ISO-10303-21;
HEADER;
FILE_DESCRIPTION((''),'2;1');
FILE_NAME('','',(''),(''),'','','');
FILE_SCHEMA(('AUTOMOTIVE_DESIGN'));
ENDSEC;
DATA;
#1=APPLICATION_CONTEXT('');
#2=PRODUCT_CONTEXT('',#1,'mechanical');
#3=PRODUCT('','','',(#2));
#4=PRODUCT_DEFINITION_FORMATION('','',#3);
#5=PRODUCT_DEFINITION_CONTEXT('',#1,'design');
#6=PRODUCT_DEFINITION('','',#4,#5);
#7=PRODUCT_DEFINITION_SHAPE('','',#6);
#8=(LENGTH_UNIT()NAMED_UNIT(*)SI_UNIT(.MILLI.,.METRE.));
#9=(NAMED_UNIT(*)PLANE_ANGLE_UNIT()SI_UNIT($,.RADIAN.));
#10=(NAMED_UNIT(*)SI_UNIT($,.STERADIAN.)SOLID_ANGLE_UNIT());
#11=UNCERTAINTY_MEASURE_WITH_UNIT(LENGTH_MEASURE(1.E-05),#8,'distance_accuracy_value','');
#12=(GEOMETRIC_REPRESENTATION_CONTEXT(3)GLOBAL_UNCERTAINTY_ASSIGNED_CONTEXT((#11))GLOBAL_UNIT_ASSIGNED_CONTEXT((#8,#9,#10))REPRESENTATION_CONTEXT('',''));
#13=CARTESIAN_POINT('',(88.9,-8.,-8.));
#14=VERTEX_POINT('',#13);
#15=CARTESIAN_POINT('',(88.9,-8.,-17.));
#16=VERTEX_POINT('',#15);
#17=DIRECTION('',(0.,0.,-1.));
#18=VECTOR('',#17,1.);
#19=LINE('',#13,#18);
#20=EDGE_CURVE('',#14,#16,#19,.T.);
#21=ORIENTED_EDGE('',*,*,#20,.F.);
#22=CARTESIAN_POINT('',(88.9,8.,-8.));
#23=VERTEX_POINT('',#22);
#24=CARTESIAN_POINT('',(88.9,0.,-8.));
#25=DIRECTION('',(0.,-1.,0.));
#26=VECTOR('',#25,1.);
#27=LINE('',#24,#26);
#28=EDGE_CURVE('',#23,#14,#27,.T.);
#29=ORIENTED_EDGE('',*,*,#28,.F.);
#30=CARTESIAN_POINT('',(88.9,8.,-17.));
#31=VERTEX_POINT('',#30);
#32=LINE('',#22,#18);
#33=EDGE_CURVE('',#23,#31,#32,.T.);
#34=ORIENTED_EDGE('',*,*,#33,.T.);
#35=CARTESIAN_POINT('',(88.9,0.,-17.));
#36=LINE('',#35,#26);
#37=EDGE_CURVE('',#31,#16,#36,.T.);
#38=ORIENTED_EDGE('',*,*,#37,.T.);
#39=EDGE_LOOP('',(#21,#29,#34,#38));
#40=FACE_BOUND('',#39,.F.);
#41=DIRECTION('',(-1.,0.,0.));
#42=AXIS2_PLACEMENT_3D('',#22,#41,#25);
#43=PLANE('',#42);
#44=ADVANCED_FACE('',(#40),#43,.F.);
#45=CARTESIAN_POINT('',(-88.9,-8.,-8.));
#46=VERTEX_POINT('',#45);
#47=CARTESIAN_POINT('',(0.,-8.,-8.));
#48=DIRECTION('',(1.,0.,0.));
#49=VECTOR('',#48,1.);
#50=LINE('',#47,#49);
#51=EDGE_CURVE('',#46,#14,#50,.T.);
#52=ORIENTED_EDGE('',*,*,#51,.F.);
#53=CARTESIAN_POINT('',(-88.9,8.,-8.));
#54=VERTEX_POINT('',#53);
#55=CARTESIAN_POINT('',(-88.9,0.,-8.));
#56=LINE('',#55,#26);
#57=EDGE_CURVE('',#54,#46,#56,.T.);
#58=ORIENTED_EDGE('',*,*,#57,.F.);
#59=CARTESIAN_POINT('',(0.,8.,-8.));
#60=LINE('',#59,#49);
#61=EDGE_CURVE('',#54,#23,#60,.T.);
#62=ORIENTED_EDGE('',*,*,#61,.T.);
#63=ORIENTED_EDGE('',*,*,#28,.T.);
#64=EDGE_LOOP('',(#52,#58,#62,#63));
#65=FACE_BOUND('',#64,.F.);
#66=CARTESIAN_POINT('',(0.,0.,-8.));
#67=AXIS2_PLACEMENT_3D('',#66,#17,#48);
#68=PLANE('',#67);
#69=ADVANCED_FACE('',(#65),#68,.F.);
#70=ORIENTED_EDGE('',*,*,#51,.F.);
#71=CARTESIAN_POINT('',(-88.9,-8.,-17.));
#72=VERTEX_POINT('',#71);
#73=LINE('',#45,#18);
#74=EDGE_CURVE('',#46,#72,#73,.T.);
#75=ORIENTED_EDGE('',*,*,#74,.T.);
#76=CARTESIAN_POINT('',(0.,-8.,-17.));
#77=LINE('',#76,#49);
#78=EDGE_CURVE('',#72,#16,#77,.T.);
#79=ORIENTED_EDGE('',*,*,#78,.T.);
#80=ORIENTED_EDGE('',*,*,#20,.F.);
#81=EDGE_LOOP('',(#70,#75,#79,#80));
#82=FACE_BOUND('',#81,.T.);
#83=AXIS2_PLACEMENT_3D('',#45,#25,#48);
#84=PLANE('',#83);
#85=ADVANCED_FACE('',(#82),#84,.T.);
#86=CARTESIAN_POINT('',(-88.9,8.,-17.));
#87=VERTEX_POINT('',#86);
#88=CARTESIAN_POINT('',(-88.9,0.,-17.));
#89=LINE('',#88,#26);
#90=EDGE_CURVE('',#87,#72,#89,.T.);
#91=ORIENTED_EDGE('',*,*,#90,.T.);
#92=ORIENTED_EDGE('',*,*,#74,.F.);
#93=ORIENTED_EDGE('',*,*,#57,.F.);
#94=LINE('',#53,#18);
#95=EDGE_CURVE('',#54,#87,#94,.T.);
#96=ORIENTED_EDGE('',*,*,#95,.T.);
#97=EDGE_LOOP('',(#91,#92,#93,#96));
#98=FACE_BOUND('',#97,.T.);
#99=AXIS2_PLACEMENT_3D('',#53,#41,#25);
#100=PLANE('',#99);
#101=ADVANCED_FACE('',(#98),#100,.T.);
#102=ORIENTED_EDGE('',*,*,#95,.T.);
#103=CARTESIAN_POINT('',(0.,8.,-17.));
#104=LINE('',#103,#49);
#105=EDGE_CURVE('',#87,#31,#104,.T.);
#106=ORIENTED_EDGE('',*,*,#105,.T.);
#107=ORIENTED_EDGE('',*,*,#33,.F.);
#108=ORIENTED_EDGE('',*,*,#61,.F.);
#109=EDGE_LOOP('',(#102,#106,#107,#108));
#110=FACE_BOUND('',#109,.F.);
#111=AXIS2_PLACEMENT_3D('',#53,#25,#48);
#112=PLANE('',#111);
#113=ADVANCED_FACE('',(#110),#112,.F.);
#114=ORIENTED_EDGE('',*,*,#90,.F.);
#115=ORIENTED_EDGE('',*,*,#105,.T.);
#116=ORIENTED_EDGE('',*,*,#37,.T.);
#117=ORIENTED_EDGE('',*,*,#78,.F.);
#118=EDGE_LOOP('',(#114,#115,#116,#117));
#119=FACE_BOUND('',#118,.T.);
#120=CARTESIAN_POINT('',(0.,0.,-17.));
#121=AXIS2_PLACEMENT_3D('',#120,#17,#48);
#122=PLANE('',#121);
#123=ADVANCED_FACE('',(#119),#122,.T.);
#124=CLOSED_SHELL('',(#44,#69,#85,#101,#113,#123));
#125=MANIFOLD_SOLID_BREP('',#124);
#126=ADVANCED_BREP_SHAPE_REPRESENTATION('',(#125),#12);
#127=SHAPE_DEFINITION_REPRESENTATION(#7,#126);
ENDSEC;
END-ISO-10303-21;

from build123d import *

# Parameters (mm, degrees)
SKETCH_W        = 177.8
SKETCH_H        = 16
PAD_DEPTH       = 9
BODY_ROLL_ANGLE = 90


with BuildPart() as part:
    # Sketch → Pad (new body)
    with BuildSketch(Plane.XZ):
        Rectangle(SKETCH_W, SKETCH_H)
    extrude(amount=PAD_DEPTH)


with BuildPart() as part_1:
    # Body roll: moved
    add(part.part.rotate(Axis((0, 0, 0), (1, 0, 0)), BODY_ROLL_ANGLE))


with BuildPart() as part_2:
    # Body placement: moved
    add(part_1.part.moved(Location((0, 0, -8))))


solid = part_2.part
